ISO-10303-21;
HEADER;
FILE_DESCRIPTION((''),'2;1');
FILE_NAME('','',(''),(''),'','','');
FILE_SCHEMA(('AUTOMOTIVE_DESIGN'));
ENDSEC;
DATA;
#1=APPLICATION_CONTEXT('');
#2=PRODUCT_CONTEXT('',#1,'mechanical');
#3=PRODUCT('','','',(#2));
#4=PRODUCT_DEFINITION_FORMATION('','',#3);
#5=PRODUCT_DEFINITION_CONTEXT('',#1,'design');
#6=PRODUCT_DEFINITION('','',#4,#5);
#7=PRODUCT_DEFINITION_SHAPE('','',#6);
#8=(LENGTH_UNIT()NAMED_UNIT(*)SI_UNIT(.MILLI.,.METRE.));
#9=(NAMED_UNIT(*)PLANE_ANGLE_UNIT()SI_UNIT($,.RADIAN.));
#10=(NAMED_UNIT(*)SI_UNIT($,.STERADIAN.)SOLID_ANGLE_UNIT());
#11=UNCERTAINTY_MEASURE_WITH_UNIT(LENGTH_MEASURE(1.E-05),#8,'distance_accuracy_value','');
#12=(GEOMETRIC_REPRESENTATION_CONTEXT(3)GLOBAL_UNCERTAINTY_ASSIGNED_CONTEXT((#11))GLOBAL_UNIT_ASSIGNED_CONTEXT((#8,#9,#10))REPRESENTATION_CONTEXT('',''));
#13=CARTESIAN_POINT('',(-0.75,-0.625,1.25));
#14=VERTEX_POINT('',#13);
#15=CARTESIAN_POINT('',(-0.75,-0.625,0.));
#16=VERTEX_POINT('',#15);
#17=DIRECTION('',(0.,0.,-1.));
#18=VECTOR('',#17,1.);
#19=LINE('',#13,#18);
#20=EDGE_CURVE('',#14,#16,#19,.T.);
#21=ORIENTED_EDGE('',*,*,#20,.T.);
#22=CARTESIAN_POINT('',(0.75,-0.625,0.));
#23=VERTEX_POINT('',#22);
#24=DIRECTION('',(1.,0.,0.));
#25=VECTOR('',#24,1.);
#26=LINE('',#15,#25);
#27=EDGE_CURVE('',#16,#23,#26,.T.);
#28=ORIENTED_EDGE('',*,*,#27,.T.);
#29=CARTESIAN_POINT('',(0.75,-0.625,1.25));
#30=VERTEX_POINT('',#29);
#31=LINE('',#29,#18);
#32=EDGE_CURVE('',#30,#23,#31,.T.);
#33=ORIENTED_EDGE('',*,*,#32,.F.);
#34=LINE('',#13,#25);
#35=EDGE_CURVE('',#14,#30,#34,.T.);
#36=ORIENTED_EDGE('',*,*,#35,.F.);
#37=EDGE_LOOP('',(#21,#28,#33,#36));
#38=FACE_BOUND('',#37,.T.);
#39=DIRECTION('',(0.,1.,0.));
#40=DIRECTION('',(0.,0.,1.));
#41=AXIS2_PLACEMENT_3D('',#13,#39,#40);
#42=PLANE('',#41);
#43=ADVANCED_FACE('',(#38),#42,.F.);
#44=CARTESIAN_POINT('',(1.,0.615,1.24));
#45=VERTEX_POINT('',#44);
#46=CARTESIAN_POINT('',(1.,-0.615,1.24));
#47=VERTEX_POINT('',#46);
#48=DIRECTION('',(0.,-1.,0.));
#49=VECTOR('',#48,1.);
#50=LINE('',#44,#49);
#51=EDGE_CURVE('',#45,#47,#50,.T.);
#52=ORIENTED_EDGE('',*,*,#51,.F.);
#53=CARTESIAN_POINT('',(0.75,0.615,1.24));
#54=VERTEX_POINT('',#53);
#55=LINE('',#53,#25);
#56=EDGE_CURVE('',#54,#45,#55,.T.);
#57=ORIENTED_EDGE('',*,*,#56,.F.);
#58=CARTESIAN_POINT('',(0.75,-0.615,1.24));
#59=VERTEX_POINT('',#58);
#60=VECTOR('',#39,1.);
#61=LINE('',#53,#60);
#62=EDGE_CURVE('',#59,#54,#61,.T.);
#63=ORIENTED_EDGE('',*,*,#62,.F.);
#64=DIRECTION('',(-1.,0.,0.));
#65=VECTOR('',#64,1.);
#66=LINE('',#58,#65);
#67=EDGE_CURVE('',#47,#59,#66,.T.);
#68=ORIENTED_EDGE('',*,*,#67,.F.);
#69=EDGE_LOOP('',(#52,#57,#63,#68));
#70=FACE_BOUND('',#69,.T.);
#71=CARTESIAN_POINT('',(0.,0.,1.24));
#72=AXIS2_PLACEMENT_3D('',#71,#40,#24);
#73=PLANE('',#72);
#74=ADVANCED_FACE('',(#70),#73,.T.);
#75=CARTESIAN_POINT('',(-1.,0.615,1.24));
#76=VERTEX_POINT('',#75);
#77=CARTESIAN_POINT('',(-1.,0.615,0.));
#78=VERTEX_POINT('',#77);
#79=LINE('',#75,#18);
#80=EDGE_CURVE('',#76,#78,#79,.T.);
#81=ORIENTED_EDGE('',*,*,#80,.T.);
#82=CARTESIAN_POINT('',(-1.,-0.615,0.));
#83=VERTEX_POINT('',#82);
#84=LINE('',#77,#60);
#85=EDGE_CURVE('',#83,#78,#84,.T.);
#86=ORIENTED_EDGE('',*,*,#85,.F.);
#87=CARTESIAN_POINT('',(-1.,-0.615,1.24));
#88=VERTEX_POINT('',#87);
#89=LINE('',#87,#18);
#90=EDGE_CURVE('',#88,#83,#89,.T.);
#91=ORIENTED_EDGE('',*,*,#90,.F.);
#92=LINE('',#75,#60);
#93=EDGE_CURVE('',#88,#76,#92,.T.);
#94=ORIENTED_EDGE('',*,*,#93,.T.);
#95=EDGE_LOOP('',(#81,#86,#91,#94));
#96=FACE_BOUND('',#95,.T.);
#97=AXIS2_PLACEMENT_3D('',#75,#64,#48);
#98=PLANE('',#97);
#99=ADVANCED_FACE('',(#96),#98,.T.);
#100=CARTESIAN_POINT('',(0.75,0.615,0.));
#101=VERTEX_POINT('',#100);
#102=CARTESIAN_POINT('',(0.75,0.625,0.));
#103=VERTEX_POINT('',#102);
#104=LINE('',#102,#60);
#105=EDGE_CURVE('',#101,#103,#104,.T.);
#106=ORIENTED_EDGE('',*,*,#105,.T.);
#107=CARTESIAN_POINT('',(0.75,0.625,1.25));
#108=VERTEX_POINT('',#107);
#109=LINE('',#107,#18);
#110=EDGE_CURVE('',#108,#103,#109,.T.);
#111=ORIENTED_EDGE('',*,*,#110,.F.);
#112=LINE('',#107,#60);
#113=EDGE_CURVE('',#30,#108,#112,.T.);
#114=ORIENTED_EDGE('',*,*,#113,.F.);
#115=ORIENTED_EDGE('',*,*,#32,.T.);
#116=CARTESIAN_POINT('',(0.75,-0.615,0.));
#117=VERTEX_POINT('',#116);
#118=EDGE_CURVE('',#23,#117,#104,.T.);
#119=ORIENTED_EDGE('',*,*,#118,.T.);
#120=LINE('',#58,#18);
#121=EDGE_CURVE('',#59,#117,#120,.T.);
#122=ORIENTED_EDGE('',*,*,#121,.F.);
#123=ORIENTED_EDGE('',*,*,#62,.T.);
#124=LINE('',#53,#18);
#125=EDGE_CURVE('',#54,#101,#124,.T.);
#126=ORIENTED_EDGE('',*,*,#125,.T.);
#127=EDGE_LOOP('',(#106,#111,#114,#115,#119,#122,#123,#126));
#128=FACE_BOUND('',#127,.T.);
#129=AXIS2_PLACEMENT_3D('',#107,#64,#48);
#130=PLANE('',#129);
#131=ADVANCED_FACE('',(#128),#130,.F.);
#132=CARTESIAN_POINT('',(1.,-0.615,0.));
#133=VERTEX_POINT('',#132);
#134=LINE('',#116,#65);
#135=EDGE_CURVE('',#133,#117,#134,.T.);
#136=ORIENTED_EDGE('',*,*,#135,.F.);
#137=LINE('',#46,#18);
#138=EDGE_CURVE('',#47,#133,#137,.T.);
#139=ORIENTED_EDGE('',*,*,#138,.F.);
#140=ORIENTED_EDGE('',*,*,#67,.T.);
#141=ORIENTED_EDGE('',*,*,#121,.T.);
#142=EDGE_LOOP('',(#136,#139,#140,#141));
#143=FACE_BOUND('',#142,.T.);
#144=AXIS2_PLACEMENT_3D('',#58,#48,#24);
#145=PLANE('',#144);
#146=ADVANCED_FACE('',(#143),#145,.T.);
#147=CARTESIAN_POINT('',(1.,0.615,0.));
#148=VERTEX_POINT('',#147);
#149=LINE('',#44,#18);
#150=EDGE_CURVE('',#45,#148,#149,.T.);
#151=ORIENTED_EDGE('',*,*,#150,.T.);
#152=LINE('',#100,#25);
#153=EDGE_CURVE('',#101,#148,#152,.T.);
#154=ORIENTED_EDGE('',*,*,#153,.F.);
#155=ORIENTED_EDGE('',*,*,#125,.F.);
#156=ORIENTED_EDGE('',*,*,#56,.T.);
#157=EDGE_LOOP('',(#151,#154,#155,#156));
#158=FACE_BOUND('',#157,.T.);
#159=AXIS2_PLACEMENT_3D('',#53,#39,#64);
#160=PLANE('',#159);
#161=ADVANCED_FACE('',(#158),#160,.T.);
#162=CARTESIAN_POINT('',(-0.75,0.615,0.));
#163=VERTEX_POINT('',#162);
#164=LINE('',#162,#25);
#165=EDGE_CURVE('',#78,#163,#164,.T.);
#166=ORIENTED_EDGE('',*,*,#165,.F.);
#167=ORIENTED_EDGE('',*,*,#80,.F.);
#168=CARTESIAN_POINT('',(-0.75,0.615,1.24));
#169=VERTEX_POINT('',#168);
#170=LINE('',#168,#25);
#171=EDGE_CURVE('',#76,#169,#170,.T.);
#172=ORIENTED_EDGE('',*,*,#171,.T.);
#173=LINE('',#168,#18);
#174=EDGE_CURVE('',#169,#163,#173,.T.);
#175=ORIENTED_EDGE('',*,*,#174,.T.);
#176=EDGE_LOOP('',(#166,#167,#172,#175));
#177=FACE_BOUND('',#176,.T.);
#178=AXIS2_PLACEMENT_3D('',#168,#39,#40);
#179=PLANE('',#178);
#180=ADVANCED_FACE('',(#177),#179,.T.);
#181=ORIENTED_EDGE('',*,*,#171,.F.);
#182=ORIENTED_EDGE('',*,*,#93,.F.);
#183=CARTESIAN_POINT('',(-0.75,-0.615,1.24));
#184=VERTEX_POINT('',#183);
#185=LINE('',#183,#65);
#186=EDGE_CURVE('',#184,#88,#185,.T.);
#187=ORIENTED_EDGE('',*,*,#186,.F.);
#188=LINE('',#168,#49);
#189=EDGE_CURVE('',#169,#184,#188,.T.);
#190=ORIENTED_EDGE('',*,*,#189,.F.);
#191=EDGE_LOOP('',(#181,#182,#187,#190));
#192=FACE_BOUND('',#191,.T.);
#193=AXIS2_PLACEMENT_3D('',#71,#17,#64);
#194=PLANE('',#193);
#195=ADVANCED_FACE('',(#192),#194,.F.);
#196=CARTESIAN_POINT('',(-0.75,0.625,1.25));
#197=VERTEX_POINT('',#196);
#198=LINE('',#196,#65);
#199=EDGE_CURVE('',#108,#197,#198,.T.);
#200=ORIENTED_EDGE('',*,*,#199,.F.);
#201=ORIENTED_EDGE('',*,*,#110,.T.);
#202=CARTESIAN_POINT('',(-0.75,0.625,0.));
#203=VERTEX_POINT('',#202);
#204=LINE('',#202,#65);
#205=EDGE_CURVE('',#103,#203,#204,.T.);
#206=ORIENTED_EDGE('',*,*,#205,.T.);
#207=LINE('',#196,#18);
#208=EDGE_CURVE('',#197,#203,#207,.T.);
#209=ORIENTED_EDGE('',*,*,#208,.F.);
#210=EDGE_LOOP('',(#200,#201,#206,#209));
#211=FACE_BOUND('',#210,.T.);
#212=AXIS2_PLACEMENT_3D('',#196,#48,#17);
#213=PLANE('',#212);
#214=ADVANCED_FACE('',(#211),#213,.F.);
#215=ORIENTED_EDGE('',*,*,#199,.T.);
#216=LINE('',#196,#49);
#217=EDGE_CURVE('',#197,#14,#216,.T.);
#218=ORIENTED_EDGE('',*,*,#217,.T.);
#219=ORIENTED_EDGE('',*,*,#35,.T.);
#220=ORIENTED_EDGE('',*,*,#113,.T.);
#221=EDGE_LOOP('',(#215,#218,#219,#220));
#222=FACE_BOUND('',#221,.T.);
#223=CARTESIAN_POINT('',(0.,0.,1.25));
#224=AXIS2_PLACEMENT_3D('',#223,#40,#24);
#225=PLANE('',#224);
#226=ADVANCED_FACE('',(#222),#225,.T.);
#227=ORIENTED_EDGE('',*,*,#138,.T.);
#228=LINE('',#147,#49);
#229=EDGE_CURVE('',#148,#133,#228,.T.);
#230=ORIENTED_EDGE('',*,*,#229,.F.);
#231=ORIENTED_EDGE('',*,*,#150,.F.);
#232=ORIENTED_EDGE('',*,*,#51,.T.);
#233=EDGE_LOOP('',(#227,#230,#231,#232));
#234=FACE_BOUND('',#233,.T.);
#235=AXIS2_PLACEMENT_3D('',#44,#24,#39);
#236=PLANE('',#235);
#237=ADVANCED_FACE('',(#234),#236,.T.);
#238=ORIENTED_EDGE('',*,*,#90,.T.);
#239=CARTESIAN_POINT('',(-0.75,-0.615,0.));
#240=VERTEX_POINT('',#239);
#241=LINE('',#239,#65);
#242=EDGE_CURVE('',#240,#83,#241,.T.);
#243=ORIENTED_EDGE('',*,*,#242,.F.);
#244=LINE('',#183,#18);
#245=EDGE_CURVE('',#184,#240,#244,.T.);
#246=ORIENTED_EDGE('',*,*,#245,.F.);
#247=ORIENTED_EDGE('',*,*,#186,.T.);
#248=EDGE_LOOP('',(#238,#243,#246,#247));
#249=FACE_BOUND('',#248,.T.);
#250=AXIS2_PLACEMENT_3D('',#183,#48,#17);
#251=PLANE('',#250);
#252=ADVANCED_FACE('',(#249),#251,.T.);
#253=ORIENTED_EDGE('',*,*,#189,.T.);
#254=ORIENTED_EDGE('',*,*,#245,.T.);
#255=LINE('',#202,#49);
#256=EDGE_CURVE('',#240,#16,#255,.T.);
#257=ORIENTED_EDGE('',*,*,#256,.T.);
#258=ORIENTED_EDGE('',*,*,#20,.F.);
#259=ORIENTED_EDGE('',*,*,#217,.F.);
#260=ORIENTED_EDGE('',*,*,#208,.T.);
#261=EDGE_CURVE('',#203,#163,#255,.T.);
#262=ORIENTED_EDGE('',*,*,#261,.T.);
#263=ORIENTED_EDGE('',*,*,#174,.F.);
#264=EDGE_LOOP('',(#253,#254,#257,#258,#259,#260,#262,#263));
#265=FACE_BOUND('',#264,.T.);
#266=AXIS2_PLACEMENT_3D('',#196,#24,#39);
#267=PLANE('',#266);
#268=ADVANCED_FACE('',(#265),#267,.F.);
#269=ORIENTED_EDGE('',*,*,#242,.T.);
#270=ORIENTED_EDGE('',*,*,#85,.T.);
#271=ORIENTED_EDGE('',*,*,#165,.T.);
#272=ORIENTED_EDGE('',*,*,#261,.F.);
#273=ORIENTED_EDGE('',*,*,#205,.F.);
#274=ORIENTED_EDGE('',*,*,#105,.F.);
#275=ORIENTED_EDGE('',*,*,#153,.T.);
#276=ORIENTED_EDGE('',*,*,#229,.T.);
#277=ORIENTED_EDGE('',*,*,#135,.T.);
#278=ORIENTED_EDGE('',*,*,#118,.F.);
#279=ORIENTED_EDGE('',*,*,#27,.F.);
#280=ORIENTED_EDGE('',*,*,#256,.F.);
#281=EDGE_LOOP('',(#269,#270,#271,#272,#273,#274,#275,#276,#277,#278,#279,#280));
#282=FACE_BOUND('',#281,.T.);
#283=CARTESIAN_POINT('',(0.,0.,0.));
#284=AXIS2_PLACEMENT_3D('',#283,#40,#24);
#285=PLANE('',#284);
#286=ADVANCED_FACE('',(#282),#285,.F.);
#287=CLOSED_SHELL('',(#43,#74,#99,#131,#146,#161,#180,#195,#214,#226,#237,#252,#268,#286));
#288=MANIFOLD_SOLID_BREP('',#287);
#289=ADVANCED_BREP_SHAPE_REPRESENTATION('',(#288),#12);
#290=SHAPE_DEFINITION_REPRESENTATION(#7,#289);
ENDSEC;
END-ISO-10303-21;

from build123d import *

# Parameters (mm, degrees)
SKETCH1_W           = 1.5
SKETCH1_H           = 1.25
BOSS_EXTRUDE1_DEPTH = 1.25
SKETCH4_W           = 0.25
SKETCH4_H           = 1.23
BOSS_EXTRUDE3_DEPTH = 1.24


with BuildPart() as part:
    # Sketch1 → Boss-Extrude1 (new body)
    with BuildSketch(Plane.XY):
        Rectangle(SKETCH1_W, SKETCH1_H)
    extrude(amount=BOSS_EXTRUDE1_DEPTH)

    # Sketch4 → Boss-Extrude3 (add)
    with BuildSketch(Plane(origin=(0, 0, 0), x_dir=(-1, 0, 0), z_dir=(0, 0, -1))):
        with Locations((-0.875, 0)):
            Rectangle(SKETCH4_W, SKETCH4_H)
        with Locations((0.875, 0)):
            Rectangle(SKETCH4_W, SKETCH4_H)
    extrude(amount=-BOSS_EXTRUDE3_DEPTH)


solid = part.part
